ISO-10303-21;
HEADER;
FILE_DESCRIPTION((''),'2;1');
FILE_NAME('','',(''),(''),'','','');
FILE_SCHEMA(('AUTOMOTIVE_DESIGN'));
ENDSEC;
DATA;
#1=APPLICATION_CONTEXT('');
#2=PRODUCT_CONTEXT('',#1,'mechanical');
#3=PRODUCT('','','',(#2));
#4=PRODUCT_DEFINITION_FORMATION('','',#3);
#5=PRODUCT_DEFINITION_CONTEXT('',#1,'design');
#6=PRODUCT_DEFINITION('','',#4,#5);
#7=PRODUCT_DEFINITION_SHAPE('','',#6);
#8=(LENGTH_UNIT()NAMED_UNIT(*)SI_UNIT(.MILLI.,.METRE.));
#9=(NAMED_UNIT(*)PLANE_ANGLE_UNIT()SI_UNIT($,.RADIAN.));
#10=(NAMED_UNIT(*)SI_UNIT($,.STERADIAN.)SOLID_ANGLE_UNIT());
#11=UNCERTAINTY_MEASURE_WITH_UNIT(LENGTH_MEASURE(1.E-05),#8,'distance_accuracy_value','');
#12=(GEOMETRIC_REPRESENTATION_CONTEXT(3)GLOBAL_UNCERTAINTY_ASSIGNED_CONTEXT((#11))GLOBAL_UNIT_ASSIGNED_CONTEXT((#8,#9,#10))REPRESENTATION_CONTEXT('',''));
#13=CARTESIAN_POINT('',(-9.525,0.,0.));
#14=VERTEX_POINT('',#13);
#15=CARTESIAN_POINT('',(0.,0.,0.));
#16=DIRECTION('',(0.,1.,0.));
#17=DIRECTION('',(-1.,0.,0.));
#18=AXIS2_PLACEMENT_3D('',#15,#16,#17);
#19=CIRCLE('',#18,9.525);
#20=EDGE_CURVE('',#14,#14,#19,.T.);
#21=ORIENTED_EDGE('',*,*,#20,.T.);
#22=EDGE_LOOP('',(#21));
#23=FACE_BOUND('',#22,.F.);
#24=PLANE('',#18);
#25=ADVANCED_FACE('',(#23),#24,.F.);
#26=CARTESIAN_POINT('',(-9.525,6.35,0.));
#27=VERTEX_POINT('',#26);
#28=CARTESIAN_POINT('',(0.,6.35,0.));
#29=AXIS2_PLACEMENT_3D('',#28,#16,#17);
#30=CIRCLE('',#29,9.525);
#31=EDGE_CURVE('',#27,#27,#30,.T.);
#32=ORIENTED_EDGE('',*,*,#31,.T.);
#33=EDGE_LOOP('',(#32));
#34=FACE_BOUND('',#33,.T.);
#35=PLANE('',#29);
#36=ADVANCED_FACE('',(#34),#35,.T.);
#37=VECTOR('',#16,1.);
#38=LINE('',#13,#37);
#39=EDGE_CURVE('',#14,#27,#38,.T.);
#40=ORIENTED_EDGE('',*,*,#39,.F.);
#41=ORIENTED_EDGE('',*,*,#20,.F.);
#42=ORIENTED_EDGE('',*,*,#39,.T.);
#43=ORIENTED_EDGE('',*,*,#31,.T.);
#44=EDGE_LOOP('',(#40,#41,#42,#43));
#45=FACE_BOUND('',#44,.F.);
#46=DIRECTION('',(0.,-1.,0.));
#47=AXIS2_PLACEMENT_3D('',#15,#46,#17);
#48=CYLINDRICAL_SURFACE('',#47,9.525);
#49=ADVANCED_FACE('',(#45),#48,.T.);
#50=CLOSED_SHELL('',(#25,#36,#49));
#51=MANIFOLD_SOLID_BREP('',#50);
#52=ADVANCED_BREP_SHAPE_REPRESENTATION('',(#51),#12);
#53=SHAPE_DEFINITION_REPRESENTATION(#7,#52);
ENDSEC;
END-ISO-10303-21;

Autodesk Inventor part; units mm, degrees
ref_plane "YZ Plane" through (0, 0, 0) normal (1, 0, 0) x (0, 1, 0)
ref_plane "XZ Plane" through (0, 0, 0) normal (0, 1, 0) x (-1, 0, 0)
ref_plane "XY Plane" through (0, 0, 0) normal (0, 0, 1) x (1, 0, 0)
sketch "Sketch1" plane through (0, 0, 0) normal (0, 1, 0) x (-1, 0, 0)
  circle A0 centre (0, 0) radius 9.525
  dimension "d0" = 19.05
extrude "Extrusion1" add sketch "Sketch1" along normal blind 6.35
properties part number "FeltPad" material "Nylon 6/6"
